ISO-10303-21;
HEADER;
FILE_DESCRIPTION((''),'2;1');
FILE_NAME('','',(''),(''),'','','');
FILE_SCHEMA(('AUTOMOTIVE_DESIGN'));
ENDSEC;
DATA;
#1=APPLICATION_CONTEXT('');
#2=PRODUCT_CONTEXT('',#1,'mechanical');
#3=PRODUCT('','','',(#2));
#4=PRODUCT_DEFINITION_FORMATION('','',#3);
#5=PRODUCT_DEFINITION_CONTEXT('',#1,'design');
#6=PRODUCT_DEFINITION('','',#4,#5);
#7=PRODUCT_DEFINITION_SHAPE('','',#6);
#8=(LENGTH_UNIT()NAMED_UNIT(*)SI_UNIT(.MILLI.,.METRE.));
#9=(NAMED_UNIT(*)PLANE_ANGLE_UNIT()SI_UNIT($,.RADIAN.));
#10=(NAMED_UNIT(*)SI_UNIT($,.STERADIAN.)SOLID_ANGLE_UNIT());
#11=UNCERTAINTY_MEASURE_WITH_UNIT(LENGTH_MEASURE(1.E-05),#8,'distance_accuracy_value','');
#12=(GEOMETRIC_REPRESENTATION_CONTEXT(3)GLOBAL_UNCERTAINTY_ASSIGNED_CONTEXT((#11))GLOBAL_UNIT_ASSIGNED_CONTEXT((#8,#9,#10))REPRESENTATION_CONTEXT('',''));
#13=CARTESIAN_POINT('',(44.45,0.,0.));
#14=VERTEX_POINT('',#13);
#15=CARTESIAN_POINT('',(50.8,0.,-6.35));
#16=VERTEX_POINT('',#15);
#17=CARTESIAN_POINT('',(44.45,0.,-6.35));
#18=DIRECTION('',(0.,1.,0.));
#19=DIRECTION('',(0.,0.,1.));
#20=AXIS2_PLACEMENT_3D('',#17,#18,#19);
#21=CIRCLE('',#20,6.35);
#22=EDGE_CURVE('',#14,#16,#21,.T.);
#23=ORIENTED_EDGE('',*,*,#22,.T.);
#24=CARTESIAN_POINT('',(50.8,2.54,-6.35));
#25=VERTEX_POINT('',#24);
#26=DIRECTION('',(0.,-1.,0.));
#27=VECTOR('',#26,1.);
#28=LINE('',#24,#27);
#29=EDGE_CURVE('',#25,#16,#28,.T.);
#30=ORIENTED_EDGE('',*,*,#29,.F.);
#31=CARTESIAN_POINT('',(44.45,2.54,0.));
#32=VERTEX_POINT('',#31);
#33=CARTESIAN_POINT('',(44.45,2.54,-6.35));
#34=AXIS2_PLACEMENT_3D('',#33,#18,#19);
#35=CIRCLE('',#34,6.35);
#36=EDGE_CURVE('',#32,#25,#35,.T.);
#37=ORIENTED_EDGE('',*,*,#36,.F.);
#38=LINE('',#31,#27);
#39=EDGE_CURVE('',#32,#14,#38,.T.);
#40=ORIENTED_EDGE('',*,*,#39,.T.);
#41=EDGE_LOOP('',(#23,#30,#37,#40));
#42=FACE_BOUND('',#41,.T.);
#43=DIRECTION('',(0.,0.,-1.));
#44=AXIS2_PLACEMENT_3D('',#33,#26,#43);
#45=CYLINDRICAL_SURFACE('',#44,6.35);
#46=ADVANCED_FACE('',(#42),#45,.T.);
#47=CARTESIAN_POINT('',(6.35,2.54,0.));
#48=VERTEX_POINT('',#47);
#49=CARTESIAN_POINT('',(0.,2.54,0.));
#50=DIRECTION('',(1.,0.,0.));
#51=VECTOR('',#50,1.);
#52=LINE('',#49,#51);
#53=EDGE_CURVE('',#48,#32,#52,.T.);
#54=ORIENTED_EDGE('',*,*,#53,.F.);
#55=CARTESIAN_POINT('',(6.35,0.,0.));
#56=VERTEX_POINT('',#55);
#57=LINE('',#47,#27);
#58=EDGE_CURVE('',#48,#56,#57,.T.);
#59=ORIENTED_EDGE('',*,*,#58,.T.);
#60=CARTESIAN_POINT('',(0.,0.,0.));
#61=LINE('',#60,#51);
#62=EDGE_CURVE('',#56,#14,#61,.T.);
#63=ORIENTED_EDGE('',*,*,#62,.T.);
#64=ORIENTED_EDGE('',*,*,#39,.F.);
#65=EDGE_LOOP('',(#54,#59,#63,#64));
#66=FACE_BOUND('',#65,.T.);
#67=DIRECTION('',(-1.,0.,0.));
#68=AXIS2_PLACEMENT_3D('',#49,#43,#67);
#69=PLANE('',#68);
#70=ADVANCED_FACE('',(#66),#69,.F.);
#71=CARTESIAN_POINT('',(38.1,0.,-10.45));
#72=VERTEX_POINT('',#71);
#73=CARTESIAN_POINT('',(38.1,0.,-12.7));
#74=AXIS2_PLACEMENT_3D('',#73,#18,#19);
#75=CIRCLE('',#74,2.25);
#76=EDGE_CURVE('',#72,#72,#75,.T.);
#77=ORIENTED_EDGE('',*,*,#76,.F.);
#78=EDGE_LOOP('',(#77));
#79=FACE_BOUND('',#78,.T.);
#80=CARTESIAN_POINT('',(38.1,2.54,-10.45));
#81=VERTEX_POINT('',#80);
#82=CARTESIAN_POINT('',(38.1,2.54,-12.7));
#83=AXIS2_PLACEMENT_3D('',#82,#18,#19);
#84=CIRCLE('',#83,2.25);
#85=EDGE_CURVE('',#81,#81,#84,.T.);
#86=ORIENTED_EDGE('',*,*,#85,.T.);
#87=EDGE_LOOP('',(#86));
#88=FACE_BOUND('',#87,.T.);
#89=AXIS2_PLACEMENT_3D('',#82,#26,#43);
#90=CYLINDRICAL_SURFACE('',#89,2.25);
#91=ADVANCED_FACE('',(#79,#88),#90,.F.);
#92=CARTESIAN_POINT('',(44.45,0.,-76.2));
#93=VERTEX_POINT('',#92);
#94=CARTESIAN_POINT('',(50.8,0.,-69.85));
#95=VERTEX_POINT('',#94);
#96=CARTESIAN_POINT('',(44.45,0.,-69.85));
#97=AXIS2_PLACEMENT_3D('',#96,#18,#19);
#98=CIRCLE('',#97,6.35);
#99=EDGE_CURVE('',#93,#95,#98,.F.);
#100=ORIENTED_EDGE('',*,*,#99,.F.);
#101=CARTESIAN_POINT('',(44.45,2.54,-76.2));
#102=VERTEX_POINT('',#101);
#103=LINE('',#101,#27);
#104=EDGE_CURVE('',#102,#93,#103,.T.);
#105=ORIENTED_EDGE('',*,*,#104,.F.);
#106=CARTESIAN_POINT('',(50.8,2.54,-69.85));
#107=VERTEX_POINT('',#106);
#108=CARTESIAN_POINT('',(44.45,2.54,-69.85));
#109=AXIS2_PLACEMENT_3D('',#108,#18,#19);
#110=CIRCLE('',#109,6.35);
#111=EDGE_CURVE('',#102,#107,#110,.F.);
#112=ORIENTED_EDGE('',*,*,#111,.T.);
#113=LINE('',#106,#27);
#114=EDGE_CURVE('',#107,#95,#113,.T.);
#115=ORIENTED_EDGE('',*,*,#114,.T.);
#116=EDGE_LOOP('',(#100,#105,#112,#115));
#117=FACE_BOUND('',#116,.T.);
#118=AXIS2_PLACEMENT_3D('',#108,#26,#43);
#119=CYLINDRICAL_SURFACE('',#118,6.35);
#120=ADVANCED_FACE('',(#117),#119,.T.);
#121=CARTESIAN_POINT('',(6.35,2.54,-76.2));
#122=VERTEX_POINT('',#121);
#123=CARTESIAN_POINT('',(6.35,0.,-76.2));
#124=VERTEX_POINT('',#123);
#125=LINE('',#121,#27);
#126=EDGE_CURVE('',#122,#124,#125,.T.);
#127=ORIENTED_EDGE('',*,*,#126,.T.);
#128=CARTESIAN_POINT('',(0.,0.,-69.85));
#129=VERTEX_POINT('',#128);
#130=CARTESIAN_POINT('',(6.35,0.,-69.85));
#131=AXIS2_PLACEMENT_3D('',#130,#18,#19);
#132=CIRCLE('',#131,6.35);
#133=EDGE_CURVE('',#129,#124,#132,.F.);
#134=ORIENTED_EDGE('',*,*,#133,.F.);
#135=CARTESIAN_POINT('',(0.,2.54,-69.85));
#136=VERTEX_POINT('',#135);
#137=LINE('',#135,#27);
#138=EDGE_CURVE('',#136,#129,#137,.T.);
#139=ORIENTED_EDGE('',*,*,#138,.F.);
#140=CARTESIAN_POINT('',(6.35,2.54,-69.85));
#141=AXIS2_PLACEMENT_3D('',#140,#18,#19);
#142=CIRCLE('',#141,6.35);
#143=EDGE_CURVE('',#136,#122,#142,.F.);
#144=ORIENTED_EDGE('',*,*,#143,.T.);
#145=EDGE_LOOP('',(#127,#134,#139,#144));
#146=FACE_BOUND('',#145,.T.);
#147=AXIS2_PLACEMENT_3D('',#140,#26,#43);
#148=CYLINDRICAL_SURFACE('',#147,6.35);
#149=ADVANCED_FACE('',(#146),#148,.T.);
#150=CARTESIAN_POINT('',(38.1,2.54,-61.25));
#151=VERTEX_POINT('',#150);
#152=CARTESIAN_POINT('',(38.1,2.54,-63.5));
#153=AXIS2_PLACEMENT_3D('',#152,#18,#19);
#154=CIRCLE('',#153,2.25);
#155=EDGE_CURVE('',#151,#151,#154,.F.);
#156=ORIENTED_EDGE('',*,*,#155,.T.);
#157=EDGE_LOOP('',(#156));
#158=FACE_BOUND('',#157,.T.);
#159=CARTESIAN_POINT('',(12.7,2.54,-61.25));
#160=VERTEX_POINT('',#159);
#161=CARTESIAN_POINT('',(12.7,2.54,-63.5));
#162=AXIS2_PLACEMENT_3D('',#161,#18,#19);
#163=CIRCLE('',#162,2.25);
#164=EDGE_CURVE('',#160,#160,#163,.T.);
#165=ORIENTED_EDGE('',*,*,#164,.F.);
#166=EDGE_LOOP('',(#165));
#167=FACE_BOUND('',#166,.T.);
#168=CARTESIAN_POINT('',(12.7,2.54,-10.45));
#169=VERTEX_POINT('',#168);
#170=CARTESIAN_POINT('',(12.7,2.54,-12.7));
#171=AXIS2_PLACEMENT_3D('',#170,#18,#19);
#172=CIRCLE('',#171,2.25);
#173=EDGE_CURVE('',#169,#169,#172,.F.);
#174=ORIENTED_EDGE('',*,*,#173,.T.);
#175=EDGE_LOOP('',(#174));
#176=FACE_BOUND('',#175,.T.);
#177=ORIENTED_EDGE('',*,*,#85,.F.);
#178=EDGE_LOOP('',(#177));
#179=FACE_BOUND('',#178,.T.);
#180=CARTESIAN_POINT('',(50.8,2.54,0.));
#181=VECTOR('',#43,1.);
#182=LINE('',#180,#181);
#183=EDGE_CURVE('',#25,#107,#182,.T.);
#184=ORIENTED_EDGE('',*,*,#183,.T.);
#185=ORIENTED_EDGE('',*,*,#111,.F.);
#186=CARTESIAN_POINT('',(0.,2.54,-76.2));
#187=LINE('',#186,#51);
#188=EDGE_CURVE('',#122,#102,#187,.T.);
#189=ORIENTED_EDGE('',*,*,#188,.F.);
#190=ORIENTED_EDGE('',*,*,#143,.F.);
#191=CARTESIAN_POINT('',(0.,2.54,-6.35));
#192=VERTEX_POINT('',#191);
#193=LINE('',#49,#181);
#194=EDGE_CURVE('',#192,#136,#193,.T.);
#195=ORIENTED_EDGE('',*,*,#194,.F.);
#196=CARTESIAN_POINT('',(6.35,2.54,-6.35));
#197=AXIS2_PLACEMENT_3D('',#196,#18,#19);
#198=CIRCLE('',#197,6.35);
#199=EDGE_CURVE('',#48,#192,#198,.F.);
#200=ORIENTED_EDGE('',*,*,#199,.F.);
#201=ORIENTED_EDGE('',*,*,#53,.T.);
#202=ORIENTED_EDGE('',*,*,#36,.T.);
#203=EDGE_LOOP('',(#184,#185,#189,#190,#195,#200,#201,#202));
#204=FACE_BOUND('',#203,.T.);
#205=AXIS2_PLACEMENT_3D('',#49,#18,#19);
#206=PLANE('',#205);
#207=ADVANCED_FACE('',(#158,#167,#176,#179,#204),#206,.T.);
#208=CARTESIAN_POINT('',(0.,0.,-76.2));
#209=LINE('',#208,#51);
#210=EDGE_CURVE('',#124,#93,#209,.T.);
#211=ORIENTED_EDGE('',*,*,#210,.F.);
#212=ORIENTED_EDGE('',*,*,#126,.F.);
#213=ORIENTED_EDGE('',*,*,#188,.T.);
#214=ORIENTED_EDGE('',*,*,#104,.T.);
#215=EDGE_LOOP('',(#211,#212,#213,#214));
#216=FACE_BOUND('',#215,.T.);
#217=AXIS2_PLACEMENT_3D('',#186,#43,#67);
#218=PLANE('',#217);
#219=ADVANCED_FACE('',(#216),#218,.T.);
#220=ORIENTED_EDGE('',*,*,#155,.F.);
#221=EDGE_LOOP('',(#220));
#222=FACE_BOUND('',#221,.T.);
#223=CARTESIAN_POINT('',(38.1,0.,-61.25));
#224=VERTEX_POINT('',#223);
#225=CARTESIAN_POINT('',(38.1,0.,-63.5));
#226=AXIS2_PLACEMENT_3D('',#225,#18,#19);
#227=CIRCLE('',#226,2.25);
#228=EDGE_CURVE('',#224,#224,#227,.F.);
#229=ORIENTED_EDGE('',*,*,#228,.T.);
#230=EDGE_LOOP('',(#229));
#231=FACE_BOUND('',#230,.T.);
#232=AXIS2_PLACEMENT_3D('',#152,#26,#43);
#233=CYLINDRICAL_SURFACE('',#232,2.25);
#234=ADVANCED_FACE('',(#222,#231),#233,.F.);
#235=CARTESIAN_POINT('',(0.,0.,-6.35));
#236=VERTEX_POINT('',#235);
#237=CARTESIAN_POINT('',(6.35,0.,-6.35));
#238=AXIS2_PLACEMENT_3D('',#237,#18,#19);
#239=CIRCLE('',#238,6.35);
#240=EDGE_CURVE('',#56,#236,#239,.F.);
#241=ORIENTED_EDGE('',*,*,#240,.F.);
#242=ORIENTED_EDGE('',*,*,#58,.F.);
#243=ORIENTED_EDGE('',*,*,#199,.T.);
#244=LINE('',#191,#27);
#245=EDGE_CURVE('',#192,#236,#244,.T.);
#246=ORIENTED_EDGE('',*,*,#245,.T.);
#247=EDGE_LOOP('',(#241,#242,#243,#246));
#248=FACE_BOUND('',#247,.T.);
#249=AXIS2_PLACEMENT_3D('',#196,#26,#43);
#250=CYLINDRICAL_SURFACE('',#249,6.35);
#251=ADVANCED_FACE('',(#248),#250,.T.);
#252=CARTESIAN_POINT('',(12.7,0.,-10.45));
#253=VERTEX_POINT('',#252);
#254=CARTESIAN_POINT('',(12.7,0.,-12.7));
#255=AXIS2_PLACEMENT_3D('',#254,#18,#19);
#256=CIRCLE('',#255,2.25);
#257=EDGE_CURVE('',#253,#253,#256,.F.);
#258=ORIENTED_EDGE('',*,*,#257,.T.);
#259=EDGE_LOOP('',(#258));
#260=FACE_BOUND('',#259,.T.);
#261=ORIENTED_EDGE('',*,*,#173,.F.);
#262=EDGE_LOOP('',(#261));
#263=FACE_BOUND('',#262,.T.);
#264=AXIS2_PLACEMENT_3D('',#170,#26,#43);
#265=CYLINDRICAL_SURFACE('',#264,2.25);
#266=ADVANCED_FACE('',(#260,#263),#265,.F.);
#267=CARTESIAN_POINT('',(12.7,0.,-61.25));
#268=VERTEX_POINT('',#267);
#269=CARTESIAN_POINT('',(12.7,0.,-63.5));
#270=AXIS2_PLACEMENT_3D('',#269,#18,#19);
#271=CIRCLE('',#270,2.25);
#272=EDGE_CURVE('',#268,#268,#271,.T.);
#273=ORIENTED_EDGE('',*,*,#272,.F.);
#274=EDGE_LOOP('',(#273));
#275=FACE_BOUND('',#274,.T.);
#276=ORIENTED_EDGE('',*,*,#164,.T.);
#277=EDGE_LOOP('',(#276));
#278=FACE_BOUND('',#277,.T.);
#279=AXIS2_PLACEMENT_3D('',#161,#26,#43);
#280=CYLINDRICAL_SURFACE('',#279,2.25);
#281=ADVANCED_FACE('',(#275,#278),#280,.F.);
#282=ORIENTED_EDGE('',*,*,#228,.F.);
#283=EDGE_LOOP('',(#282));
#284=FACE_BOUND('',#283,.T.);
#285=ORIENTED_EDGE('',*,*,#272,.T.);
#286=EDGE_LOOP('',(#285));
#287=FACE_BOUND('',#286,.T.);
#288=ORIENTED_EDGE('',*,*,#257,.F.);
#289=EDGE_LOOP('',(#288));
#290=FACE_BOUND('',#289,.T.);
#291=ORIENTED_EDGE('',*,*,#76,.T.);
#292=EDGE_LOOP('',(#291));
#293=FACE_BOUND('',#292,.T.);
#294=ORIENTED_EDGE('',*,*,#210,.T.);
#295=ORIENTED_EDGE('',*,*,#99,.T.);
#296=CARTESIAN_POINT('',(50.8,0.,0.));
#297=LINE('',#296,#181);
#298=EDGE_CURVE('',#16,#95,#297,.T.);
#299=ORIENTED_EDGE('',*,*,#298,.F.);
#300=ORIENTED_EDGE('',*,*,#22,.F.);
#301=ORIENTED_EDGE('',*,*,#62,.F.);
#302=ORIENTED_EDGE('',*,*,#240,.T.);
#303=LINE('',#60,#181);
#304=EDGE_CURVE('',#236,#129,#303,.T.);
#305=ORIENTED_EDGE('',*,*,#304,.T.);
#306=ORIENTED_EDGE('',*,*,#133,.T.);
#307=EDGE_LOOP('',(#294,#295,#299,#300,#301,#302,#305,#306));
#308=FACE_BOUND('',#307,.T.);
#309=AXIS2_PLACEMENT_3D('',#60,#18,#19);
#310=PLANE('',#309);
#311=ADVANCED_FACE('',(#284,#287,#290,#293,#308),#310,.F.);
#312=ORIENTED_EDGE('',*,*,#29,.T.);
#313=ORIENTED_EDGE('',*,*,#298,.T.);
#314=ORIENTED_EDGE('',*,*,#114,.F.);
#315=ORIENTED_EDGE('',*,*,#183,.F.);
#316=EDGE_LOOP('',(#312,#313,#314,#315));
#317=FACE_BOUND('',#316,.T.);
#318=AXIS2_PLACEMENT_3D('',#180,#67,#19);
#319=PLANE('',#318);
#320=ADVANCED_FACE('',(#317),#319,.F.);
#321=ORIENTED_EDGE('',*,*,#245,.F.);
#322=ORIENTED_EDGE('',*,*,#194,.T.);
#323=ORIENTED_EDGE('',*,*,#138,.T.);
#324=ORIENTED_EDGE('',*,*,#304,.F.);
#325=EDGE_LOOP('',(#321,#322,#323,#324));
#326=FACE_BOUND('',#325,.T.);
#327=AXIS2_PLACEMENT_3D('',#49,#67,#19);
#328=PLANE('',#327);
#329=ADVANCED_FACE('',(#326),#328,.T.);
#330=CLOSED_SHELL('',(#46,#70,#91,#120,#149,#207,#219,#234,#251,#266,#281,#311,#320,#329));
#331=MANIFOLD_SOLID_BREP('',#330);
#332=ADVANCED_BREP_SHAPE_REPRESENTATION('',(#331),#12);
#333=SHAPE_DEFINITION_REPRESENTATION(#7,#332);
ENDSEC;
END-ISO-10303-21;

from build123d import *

# Parameters (mm, degrees)
SKETCH1_R           = 2.25
BOSS_EXTRUDE1_DEPTH = 2.54


with BuildPart() as part:
    # Sketch1 → Boss-Extrude1 (new body)
    with BuildSketch(Plane(origin=(0, 0, 0), x_dir=(1, 0, 0), z_dir=(0, 1, 0))):
        with BuildLine():
            Line((6.35, 0), (44.45, 0))
            ThreePointArc((44.45, 0), (48.940128061, 1.859871939), (50.8, 6.35))
            Line((50.8, 6.35), (50.8, 69.85))
            ThreePointArc((50.8, 69.85), (48.940128061, 74.340128061), (44.45, 76.2))
            Line((44.45, 76.2), (6.35, 76.2))
            ThreePointArc((6.35, 76.2), (1.859871939, 74.340128061), (0, 69.85))
            Line((0, 69.85), (0, 6.35))
            ThreePointArc((0, 6.35), (1.859871939, 1.859871939), (6.35, 0))
        make_face()
        with Locations((38.1, 12.7)):
            Circle(SKETCH1_R, mode=Mode.SUBTRACT)
        with Locations((12.7, 12.7)):
            Circle(SKETCH1_R, mode=Mode.SUBTRACT)
        with Locations((38.1, 63.5)):
            Circle(SKETCH1_R, mode=Mode.SUBTRACT)
        with Locations((12.7, 63.5)):
            Circle(SKETCH1_R, mode=Mode.SUBTRACT)
    extrude(amount=BOSS_EXTRUDE1_DEPTH)


solid = part.part
